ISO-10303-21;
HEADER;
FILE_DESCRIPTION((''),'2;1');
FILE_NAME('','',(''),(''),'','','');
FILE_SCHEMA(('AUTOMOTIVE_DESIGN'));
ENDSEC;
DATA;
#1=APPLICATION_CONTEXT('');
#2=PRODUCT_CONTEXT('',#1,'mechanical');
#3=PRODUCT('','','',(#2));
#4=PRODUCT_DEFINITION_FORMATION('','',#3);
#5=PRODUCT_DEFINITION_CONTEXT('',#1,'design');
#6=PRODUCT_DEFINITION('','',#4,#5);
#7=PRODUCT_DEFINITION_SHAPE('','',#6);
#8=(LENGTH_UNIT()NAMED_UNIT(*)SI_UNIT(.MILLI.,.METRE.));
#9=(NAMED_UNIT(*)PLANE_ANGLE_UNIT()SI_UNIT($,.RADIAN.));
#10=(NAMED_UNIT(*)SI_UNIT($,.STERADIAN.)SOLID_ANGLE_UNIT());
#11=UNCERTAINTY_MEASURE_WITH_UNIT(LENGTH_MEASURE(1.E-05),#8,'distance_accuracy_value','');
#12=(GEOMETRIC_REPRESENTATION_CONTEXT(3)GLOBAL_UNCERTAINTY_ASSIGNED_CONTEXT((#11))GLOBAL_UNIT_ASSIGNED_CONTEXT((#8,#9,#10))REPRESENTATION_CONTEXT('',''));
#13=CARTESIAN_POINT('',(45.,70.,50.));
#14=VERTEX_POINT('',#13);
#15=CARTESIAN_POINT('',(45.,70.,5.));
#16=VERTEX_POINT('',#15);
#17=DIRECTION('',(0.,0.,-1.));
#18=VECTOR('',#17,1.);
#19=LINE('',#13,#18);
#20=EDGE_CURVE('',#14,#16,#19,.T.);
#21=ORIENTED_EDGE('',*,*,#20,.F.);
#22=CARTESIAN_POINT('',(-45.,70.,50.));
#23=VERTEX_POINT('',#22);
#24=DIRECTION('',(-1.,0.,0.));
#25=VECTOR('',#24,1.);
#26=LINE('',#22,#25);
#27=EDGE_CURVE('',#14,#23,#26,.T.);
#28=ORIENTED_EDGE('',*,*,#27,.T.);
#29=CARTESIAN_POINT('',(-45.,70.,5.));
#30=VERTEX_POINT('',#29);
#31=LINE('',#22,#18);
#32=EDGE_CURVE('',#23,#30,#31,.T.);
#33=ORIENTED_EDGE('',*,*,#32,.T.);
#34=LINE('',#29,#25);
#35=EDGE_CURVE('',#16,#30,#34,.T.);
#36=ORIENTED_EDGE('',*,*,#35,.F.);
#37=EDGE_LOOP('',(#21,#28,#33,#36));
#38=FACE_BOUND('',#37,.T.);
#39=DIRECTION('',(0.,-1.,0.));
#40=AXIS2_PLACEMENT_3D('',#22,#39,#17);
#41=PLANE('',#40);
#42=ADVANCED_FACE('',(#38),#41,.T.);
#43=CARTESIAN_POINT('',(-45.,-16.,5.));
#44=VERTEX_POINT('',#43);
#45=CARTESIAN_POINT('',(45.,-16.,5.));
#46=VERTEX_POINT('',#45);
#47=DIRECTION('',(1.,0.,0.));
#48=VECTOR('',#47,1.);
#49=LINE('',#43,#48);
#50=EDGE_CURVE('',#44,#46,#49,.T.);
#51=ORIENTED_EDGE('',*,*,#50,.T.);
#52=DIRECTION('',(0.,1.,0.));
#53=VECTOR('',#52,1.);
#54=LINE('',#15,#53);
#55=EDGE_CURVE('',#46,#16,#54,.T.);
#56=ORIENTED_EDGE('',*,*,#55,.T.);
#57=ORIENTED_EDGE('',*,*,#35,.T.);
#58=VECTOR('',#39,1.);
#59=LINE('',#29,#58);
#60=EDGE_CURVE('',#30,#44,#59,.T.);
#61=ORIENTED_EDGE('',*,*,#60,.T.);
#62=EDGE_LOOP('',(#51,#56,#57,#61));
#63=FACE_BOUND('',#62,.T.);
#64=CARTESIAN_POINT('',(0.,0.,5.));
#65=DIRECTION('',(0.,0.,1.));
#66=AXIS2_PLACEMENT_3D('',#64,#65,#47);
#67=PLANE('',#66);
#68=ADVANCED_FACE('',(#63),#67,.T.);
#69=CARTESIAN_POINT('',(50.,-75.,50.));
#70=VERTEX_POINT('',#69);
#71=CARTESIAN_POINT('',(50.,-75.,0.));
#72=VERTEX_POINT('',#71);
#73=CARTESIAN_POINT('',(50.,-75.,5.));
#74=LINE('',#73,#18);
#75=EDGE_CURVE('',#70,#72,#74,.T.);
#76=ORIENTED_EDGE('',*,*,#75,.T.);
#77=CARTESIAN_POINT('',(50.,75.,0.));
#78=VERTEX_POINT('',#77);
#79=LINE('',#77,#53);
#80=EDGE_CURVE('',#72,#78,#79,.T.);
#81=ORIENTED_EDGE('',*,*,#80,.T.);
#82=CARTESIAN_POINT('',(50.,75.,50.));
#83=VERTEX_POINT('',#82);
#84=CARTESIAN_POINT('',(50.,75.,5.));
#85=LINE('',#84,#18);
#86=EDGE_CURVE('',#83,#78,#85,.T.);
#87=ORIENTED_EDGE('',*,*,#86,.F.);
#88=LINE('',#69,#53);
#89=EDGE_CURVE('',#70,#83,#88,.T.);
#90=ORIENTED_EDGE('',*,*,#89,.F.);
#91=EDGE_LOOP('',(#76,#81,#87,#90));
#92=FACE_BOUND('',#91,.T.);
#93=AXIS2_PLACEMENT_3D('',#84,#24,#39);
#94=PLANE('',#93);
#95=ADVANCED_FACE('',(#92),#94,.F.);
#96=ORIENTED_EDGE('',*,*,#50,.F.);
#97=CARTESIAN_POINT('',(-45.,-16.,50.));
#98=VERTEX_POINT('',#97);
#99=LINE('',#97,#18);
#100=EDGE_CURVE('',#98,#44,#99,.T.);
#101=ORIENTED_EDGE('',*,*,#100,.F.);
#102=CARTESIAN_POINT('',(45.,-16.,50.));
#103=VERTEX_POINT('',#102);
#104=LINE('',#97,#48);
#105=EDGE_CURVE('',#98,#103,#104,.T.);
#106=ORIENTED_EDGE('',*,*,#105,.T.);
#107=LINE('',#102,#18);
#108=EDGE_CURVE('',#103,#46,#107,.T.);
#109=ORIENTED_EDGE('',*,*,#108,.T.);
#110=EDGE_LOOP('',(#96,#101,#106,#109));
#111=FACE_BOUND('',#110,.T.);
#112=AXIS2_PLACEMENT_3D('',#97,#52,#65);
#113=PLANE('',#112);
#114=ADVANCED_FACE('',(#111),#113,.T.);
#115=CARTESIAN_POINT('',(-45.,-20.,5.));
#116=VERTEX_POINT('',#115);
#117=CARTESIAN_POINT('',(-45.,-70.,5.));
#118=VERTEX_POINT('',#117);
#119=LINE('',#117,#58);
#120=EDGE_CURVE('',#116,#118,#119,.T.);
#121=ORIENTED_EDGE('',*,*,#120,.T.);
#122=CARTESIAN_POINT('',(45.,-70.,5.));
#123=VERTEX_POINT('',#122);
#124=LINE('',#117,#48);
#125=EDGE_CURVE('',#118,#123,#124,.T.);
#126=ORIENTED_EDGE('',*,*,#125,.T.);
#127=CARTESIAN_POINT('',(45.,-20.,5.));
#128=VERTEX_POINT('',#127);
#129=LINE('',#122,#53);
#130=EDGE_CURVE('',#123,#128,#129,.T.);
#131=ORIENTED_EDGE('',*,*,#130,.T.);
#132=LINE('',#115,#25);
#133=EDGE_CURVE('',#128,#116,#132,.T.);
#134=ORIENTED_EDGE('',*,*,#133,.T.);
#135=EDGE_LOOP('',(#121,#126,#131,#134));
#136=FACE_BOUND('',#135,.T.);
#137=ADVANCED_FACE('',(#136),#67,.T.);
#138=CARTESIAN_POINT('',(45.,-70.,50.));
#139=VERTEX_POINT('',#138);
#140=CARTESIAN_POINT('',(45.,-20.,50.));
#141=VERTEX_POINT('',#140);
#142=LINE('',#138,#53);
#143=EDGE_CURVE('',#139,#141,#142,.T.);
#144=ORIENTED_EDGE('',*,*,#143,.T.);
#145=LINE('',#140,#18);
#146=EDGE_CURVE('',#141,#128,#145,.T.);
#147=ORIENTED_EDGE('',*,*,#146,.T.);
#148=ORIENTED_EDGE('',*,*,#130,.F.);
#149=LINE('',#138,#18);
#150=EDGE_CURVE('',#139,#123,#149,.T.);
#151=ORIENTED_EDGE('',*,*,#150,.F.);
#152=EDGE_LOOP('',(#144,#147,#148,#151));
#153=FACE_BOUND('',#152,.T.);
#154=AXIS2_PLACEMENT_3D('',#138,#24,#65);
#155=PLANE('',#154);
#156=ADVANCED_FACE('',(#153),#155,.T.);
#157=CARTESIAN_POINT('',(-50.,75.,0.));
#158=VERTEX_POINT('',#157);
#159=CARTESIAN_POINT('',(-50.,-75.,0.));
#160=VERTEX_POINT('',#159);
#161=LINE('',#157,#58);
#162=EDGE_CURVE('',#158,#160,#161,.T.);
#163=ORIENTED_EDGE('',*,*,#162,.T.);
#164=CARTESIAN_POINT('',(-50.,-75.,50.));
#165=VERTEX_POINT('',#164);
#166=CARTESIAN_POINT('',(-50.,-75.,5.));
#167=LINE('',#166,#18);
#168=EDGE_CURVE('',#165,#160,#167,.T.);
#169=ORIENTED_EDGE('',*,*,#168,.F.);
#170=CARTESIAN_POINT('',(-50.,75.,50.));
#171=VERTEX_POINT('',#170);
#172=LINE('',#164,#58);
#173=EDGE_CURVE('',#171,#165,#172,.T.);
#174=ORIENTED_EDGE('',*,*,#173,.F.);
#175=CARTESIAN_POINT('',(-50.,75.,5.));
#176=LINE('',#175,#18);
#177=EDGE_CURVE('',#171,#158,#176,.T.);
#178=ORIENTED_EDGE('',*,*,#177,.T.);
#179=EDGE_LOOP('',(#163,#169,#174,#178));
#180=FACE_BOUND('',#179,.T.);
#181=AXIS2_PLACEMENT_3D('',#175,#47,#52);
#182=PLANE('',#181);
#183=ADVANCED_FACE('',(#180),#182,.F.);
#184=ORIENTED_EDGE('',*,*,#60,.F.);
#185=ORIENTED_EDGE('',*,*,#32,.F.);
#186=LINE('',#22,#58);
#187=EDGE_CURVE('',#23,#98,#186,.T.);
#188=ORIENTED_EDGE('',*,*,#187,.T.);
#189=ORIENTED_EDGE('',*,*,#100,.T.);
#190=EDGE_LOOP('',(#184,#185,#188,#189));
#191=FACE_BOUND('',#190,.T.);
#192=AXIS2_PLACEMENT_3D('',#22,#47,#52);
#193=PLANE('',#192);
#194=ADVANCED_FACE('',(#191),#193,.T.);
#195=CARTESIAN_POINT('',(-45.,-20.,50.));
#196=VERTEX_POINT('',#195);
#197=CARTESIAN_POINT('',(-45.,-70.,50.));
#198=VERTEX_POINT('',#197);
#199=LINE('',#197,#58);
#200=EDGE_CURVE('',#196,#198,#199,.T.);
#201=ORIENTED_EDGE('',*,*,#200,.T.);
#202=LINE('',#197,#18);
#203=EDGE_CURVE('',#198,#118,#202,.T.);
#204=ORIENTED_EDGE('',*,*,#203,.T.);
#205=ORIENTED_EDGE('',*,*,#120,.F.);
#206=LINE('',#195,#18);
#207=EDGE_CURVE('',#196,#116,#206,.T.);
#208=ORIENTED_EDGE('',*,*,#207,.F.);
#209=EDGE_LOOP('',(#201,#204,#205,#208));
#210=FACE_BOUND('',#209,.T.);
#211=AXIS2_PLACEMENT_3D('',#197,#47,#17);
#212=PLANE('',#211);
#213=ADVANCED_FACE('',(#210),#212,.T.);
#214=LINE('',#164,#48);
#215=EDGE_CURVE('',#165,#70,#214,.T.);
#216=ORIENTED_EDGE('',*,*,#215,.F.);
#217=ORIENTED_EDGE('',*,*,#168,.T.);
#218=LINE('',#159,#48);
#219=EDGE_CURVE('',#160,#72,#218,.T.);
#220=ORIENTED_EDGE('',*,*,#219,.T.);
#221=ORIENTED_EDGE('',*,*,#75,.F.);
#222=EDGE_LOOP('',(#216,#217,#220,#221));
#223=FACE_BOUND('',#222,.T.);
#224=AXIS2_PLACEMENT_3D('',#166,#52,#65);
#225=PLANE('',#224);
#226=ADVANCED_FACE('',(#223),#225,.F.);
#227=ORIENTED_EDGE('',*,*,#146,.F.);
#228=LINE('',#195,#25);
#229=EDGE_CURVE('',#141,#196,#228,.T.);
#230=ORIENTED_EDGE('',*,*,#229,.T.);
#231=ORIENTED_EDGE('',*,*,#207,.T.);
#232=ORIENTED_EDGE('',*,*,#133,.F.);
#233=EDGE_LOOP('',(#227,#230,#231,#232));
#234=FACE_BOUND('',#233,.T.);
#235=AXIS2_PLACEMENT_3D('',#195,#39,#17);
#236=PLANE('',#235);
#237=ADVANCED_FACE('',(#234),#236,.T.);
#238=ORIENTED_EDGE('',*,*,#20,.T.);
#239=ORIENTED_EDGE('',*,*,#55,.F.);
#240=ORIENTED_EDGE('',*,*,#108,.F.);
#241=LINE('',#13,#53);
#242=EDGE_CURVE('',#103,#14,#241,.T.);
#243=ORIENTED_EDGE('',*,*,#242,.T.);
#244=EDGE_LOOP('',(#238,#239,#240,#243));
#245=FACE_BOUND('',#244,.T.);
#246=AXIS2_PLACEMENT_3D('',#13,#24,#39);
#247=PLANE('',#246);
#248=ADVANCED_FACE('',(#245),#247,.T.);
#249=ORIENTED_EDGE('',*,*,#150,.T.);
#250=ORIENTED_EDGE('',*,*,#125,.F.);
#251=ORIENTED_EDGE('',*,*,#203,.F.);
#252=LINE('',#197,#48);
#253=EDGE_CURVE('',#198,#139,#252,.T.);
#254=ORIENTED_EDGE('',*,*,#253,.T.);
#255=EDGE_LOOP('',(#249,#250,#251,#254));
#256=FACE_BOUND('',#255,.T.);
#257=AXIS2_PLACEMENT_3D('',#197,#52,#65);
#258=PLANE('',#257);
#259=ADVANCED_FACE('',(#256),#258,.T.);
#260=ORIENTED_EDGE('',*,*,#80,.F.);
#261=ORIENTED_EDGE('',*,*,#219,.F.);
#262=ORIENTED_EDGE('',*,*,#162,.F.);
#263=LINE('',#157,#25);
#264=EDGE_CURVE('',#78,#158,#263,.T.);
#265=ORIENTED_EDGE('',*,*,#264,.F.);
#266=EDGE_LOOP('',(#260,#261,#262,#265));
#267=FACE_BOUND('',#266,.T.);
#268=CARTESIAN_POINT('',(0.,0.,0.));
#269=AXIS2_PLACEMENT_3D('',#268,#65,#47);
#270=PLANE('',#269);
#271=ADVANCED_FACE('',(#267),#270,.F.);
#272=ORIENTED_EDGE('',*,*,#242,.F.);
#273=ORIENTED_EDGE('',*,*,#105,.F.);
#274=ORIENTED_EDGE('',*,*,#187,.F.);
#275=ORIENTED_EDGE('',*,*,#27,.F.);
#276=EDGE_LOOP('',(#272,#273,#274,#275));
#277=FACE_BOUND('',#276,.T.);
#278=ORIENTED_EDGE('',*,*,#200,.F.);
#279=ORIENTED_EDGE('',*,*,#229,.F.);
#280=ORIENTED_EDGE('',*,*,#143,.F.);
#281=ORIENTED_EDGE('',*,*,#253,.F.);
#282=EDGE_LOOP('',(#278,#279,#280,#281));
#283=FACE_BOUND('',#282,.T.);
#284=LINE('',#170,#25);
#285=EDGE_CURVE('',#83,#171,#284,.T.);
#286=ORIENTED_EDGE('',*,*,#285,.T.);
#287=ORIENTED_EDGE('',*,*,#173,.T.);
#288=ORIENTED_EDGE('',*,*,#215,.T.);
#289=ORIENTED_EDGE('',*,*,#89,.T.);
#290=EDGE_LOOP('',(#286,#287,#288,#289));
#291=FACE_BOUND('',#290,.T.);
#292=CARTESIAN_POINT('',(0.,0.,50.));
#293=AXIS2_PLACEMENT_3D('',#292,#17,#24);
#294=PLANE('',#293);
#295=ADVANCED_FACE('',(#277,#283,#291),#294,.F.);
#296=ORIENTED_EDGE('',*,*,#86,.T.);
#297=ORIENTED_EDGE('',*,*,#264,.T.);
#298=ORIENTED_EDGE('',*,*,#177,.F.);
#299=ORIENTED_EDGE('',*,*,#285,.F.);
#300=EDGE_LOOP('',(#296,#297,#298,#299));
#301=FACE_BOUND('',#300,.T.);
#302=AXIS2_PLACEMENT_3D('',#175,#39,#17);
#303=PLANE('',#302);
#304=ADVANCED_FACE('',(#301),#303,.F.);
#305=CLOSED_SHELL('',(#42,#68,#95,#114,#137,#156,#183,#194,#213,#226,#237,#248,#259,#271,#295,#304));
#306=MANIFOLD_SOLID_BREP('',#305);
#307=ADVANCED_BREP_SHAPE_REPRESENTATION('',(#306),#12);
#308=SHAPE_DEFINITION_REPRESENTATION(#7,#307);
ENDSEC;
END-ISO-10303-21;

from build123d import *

# Parameters (mm, degrees)
SKETCH1_W           = 100
SKETCH1_H           = 150
BOSS_EXTRUDE1_DEPTH = 5
SKETCH2_W           = 100
SKETCH2_H           = 150
SKETCH2_W_2         = 90
SKETCH2_H_2         = 86
SKETCH2_H_3         = 50
BOSS_EXTRUDE2_DEPTH = 45


with BuildPart() as part:
    # Sketch1 → Boss-Extrude1 (new body)
    with BuildSketch(Plane.XY):
        Rectangle(SKETCH1_W, SKETCH1_H)
    extrude(amount=BOSS_EXTRUDE1_DEPTH)

    # Sketch2 → Boss-Extrude2 (add)
    with BuildSketch(Plane.XY.offset(5)):
        Rectangle(SKETCH2_W, SKETCH2_H)
        with Locations((0, 27)):
            Rectangle(SKETCH2_W_2, SKETCH2_H_2, mode=Mode.SUBTRACT)
        with Locations((0, -45)):
            Rectangle(SKETCH2_W_2, SKETCH2_H_3, mode=Mode.SUBTRACT)
    extrude(amount=BOSS_EXTRUDE2_DEPTH)


solid = part.part
